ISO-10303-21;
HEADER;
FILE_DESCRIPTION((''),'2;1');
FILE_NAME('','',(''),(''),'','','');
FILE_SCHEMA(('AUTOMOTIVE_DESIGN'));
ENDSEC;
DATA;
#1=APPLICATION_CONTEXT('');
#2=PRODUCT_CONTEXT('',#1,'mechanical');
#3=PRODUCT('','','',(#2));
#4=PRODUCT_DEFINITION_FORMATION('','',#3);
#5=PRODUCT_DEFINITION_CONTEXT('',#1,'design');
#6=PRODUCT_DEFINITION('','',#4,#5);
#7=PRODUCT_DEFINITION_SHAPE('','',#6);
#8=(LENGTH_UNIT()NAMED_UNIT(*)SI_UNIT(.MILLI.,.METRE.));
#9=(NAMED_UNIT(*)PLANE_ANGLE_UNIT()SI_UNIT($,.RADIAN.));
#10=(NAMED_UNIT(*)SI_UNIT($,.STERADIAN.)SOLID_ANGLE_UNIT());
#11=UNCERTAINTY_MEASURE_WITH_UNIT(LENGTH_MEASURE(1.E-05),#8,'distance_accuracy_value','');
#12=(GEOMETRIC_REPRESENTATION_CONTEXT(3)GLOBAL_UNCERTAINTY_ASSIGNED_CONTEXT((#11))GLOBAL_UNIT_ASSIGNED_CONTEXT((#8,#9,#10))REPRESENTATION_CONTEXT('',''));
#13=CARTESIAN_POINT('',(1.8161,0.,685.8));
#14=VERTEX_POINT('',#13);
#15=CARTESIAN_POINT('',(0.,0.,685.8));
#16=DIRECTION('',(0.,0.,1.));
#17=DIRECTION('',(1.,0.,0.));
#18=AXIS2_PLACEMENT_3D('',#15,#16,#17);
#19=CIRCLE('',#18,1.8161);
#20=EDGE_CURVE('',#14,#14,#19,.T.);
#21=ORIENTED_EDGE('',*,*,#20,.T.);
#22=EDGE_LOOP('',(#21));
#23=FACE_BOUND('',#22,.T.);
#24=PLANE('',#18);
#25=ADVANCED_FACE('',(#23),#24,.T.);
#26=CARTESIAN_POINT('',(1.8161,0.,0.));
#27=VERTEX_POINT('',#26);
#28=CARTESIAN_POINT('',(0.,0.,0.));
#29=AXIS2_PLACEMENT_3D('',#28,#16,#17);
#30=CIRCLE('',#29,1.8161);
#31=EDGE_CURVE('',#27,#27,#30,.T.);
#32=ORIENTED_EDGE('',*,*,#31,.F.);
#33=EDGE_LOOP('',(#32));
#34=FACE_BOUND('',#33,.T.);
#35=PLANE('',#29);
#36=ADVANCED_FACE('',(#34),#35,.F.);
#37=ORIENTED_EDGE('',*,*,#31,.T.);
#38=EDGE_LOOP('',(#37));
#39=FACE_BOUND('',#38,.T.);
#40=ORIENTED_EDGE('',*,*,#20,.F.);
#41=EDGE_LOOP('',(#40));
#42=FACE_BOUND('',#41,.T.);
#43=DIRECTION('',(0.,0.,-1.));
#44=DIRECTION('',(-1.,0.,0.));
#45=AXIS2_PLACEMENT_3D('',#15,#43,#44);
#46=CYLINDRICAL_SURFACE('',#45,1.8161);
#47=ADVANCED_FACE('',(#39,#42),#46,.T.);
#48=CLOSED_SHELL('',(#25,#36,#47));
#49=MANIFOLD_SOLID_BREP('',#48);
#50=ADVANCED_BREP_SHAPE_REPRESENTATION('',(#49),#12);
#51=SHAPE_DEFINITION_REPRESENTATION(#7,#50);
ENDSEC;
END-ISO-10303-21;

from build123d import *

# Parameters (mm, degrees)
SKETCH1_R           = 1.8161
BOSS_EXTRUDE1_DEPTH = 685.8


with BuildPart() as part:
    # Sketch1 → Boss-Extrude1 (new body)
    with BuildSketch(Plane.XY):
        Circle(SKETCH1_R)
    extrude(amount=BOSS_EXTRUDE1_DEPTH)


solid = part.part
